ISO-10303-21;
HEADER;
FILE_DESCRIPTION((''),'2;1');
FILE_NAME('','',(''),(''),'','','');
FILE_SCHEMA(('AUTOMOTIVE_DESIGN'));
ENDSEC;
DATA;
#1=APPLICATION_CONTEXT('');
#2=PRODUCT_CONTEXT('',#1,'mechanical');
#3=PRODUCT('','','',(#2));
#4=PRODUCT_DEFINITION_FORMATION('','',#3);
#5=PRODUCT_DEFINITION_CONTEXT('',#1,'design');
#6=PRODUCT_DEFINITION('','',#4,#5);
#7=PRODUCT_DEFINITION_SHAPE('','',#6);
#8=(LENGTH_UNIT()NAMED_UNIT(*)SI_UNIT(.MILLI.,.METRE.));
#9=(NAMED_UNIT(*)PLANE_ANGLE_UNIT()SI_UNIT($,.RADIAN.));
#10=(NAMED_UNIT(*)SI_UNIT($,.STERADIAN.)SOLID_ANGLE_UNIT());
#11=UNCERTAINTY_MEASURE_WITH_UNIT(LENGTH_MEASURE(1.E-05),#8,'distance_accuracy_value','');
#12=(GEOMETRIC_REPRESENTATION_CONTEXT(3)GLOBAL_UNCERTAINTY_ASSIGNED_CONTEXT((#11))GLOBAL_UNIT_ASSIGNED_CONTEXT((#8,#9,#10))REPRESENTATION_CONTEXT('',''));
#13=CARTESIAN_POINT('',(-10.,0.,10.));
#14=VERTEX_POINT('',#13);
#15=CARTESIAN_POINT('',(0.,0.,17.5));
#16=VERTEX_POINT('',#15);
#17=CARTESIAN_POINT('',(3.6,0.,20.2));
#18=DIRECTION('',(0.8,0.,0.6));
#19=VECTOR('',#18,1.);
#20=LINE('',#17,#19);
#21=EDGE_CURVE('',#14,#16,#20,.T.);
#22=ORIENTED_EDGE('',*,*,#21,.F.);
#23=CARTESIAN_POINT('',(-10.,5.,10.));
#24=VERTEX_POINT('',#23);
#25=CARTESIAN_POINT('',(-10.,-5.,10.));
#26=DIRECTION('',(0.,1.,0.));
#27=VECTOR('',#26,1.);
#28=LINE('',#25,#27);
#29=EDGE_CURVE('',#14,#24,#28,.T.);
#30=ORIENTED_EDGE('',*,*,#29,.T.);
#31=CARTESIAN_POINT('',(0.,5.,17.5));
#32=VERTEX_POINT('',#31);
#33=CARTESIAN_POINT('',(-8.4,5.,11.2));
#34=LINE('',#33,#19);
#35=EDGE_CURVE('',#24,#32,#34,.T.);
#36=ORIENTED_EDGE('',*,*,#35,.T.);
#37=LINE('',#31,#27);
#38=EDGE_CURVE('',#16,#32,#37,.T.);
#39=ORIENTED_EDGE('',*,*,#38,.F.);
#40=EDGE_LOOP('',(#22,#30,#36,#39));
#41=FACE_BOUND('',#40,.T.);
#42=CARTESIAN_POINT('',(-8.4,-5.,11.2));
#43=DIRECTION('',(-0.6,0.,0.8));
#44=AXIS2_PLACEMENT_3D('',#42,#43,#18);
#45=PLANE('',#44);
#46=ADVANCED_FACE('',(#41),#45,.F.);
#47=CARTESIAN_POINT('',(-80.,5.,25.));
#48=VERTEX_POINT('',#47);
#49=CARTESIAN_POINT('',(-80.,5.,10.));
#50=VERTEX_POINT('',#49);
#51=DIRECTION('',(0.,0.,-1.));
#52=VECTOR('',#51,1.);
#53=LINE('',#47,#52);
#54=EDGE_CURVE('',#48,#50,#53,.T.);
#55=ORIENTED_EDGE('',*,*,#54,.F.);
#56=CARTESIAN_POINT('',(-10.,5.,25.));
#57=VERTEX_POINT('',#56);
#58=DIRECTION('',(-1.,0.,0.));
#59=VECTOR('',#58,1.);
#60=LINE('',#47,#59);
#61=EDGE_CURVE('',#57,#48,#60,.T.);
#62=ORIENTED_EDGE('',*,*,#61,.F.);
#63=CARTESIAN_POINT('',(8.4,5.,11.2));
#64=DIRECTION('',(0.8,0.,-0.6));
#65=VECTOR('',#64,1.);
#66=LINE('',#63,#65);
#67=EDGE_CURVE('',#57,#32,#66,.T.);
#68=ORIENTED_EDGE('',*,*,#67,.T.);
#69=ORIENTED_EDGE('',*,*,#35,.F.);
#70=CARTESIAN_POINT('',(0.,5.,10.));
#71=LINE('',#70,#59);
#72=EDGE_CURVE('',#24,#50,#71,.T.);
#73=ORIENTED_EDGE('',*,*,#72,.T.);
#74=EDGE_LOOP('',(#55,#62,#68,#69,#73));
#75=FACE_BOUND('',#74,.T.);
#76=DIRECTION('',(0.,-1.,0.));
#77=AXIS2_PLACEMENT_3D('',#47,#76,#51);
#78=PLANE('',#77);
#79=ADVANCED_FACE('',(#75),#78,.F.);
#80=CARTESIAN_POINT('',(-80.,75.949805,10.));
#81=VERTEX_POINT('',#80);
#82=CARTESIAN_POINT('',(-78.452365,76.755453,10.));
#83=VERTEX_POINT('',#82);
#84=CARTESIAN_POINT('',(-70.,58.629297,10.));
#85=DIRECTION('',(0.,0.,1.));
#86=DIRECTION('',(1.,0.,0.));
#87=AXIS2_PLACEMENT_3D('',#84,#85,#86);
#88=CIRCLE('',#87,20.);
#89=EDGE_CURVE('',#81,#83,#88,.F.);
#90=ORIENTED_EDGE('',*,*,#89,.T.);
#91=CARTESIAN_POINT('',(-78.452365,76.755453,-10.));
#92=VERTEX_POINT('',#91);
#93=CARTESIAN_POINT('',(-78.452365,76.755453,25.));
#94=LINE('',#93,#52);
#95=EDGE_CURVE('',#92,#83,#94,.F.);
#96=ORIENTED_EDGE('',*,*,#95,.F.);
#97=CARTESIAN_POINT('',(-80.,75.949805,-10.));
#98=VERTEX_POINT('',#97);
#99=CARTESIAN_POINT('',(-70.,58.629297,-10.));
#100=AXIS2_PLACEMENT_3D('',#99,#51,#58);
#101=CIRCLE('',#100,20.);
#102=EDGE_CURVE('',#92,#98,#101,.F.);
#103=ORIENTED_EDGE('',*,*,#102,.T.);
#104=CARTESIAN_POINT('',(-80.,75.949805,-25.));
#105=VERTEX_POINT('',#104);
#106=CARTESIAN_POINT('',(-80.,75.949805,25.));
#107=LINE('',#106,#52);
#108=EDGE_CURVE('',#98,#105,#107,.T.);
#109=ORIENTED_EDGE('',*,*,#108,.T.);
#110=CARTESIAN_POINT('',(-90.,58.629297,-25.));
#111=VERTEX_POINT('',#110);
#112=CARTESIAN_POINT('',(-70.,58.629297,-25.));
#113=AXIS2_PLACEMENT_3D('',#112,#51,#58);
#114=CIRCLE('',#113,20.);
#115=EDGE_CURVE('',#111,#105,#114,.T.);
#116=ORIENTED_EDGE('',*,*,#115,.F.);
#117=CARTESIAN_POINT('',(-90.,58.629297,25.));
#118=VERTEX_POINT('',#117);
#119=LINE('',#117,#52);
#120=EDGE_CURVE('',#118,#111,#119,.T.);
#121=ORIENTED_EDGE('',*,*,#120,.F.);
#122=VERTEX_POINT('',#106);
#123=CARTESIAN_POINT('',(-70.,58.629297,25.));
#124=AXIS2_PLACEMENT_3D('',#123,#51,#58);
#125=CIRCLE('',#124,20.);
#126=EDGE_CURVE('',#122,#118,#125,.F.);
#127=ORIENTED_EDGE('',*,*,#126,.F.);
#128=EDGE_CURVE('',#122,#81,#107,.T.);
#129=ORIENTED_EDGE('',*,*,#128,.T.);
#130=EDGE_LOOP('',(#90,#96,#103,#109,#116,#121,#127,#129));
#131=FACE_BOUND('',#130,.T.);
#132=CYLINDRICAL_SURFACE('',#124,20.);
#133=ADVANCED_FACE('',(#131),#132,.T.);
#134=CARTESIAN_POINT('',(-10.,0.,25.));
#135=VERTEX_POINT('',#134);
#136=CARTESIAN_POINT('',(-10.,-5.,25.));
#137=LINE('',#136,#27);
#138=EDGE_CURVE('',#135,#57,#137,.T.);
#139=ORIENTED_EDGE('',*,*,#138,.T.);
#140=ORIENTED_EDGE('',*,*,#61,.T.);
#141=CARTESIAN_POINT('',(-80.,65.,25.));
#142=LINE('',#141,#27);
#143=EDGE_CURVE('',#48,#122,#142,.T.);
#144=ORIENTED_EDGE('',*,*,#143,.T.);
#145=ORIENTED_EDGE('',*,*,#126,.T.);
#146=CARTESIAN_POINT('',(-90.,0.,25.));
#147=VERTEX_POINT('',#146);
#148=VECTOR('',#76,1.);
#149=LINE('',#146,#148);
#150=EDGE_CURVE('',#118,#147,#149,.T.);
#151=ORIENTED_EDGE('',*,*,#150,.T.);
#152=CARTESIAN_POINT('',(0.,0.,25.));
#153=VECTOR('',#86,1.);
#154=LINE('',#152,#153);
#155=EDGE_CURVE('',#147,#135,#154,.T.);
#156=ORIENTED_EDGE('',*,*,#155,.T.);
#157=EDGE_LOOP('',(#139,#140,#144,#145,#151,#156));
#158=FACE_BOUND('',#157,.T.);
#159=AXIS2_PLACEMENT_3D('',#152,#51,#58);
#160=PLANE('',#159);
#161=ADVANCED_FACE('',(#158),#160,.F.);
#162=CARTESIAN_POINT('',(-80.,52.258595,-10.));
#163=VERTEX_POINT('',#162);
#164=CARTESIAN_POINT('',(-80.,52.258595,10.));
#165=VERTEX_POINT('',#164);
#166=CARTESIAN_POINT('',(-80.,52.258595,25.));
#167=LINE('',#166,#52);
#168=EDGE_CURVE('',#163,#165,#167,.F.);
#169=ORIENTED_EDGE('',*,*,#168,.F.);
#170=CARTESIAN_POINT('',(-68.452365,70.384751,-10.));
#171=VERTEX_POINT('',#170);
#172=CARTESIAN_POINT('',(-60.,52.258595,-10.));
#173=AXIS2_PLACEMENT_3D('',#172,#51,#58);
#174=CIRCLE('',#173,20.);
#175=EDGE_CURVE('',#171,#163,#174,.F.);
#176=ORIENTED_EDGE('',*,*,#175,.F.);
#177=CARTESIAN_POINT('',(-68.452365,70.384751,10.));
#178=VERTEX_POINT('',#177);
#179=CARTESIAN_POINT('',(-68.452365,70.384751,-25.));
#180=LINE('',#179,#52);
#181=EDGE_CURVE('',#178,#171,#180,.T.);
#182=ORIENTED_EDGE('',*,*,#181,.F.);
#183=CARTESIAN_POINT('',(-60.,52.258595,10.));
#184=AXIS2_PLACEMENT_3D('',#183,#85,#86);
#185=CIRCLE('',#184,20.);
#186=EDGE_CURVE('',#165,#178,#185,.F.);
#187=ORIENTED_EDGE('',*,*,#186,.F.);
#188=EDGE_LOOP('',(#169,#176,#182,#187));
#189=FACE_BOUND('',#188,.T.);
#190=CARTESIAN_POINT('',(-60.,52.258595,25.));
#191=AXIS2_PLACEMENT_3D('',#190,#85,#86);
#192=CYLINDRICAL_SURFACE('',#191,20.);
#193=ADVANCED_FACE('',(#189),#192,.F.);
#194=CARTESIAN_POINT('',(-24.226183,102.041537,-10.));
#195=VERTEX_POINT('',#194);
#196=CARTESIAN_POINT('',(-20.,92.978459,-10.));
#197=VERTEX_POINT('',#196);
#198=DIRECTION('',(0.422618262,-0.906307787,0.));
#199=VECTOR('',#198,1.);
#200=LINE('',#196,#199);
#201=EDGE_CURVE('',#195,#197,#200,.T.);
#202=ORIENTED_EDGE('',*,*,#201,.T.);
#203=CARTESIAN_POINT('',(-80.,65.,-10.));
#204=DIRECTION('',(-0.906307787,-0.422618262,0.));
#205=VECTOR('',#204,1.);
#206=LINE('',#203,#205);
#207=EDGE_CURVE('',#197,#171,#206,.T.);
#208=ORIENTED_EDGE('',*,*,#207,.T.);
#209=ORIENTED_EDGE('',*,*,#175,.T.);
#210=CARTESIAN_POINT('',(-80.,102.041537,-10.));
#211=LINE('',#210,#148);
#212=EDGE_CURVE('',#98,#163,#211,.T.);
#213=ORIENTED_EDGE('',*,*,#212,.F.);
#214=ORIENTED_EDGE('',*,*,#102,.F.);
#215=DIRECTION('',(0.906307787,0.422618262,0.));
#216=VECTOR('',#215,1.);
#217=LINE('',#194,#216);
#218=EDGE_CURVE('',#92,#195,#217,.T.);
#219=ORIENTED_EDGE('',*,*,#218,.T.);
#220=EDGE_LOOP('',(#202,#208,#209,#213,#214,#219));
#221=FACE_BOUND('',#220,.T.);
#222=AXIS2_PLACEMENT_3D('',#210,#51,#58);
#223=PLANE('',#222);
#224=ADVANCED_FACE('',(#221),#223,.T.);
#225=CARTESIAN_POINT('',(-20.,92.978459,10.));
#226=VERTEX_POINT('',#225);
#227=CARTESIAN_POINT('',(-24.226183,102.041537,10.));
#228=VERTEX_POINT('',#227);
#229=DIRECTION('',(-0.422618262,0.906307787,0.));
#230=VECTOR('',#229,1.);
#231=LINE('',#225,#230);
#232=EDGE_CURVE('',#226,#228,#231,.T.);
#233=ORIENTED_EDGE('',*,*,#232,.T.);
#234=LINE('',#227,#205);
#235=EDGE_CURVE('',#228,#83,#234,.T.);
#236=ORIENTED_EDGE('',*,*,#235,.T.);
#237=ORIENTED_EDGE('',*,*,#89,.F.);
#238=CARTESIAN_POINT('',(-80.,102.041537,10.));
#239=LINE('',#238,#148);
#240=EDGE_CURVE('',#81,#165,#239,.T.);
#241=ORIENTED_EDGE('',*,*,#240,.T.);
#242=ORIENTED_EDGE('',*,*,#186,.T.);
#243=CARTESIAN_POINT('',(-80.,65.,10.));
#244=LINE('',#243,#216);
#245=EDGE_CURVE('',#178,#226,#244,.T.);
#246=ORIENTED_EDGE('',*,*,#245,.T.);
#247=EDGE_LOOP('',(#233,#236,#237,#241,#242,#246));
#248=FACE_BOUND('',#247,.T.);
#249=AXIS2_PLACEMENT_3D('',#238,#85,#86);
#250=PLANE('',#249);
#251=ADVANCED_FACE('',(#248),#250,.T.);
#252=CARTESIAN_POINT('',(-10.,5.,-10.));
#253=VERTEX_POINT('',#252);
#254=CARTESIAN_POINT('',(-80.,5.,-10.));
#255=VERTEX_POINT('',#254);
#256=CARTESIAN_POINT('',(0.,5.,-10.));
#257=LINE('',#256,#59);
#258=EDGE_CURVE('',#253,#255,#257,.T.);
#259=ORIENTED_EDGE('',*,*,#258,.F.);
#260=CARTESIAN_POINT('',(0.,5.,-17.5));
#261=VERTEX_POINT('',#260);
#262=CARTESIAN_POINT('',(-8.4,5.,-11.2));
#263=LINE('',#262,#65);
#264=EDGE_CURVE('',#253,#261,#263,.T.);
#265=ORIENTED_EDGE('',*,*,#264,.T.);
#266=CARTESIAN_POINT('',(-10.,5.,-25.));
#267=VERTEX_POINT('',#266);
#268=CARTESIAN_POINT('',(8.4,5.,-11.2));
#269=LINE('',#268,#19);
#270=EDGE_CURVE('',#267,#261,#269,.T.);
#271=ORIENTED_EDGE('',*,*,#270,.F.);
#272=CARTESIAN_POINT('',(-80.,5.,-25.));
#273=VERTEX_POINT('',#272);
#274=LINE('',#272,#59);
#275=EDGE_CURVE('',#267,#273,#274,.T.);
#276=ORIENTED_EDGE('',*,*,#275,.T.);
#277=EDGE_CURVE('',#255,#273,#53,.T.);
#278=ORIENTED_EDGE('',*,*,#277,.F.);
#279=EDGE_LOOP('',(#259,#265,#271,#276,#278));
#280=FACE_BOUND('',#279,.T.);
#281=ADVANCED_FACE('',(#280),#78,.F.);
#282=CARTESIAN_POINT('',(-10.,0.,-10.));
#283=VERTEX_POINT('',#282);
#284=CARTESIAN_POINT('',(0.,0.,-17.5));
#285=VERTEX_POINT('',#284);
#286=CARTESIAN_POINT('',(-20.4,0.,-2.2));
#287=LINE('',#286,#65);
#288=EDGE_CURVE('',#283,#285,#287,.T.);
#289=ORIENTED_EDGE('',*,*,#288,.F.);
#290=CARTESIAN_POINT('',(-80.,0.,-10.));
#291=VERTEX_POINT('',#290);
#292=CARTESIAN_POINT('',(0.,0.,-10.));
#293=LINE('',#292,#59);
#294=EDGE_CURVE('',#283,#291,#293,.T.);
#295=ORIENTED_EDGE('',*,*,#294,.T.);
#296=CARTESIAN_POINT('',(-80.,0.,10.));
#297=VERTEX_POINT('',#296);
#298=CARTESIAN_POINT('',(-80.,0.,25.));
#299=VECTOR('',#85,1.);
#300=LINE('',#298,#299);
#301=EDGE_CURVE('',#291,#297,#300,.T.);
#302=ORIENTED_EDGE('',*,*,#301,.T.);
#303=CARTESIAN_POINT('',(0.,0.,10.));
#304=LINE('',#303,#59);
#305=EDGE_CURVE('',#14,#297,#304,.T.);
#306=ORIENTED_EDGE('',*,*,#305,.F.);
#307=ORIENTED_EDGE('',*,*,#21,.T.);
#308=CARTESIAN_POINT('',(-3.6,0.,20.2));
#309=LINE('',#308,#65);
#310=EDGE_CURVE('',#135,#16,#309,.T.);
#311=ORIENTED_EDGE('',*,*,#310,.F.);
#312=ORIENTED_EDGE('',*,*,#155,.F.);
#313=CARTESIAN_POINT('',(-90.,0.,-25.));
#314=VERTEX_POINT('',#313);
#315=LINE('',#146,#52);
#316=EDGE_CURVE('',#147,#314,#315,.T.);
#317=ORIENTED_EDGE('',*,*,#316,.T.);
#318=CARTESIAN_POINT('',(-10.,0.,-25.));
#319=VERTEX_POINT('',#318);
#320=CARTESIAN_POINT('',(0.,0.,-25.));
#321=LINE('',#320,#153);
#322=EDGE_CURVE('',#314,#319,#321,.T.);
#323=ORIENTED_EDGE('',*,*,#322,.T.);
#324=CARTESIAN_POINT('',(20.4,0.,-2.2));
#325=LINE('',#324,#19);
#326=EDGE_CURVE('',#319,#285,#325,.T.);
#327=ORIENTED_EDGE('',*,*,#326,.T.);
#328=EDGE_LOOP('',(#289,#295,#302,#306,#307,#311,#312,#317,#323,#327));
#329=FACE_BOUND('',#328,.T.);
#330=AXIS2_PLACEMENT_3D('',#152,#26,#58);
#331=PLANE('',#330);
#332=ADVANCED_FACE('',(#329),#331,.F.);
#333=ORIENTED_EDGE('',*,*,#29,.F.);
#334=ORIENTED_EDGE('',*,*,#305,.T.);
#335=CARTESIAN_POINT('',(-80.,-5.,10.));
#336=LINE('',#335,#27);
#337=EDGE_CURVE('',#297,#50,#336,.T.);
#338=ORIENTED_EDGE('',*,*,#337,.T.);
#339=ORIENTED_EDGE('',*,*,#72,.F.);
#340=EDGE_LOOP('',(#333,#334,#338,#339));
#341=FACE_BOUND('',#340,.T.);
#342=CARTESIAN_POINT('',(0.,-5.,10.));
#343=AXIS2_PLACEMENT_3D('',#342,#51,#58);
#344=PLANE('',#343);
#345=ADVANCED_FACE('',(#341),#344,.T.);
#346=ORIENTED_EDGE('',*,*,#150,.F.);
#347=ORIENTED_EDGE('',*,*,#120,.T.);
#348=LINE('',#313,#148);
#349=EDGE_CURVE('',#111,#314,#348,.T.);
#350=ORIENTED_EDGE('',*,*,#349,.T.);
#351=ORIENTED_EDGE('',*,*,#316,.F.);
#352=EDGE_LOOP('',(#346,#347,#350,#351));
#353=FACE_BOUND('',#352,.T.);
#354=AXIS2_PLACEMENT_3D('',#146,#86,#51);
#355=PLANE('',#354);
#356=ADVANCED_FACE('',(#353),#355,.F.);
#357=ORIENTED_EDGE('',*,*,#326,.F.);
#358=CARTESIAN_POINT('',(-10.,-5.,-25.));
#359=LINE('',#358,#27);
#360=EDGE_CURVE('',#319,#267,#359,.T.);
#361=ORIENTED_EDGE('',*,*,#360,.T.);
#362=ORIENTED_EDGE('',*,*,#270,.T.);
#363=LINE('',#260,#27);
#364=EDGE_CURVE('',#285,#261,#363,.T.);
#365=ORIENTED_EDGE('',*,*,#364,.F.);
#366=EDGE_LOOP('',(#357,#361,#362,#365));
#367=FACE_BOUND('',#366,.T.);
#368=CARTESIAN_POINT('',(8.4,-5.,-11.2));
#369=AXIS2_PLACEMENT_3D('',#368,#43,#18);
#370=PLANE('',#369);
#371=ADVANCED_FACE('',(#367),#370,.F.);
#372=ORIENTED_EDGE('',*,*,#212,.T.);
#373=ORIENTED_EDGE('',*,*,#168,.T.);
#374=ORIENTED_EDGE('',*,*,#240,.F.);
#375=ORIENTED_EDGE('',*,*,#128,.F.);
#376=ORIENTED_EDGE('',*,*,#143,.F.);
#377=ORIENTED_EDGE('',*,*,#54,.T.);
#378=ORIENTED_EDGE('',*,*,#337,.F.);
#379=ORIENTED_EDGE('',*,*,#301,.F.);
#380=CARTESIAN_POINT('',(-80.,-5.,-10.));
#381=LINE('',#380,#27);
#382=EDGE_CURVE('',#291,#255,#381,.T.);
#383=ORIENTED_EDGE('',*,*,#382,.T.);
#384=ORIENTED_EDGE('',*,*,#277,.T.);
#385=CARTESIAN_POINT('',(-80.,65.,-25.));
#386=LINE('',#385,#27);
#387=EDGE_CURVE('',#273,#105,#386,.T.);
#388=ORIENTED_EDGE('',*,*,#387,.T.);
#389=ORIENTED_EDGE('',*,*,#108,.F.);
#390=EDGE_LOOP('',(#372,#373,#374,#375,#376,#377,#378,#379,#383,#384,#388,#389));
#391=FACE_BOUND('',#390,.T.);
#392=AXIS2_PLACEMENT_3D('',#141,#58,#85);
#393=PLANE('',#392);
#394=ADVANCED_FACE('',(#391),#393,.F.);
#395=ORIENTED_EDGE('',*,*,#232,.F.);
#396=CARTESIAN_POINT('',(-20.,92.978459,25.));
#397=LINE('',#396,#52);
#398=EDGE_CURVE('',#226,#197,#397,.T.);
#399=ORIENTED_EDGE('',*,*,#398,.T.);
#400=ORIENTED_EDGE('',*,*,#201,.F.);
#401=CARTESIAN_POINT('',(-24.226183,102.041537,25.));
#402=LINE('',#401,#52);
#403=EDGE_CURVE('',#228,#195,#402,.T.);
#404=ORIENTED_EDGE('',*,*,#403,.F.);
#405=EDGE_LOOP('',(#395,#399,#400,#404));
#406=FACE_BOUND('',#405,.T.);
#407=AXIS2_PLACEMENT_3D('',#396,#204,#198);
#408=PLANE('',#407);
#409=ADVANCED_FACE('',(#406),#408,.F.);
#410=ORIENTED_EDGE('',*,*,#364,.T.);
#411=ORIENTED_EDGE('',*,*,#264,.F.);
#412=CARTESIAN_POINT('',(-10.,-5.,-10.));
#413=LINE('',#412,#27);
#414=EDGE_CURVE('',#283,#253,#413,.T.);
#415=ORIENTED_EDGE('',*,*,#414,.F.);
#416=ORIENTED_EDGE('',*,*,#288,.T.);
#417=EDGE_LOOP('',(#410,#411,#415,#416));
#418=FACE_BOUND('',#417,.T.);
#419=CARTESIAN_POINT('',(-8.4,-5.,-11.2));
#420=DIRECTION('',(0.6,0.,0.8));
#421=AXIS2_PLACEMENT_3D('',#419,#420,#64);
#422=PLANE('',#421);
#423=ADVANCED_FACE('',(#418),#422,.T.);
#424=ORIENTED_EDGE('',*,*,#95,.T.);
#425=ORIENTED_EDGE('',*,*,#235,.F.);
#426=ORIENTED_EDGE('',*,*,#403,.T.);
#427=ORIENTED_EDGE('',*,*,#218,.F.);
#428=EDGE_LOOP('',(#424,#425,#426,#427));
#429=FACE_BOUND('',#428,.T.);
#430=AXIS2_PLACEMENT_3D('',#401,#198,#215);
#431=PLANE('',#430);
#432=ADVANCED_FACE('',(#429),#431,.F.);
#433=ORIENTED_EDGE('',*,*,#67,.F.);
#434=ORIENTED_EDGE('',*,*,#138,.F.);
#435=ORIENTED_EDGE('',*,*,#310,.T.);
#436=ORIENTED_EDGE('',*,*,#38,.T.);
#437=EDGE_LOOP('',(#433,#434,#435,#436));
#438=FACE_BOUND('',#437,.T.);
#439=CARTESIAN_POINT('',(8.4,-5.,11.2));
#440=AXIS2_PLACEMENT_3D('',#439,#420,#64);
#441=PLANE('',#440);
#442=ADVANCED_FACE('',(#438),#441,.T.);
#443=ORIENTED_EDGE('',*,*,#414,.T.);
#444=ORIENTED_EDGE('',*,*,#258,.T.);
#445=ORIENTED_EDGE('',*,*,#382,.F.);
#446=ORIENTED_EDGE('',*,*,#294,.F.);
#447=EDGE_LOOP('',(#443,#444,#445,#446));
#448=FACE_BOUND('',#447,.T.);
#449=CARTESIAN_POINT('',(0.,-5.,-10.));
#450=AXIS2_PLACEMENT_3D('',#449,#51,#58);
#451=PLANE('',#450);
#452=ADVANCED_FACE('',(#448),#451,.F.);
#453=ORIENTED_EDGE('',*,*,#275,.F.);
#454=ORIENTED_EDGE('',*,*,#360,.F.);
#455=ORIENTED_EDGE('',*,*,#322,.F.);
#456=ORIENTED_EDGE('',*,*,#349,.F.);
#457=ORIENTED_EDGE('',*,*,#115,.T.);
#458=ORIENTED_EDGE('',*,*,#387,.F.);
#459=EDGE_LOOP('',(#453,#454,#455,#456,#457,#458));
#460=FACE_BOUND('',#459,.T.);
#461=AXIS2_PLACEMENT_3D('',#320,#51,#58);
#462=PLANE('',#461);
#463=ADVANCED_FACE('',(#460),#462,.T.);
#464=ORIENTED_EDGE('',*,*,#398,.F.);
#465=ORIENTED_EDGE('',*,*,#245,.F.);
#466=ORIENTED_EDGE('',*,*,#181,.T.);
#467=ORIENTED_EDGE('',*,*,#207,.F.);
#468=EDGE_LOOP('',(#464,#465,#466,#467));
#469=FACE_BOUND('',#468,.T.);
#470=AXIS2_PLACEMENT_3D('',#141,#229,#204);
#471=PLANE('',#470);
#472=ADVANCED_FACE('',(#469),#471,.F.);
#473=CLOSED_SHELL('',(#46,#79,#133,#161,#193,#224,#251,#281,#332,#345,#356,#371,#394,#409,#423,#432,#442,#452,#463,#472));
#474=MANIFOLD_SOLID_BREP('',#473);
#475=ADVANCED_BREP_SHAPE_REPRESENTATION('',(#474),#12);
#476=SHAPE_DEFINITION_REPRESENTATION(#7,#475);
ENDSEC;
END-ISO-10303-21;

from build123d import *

# Parameters (mm, degrees)
SALIENTE_EXTRUIR1_DEPTH = 25
REDONDEO1_R             = 20
CORTAR_EXTRUIR1_DEPTH   = 10
CROQUIS3_W              = 70
CROQUIS3_H              = 15
CORTAR_EXTRUIR2_DEPTH   = 135.692464426


with BuildPart() as part:
    # Croquis1 → Saliente-Extruir1 (new, symmetric)
    with BuildSketch(Plane.XY):
        Polygon((0, 5), (0, 0), (-90, 0), (-90, 71.370702608), (-24.226182617, 102.04153736), (-20, 92.978459489), (-80, 65), (-80, 5), align=None)
    extrude(amount=SALIENTE_EXTRUIR1_DEPTH, both=True)

    # Redondeo1
    redondeo1_edges = [part.edges().sort_by_distance(p)[0] for p in [
        (-90, 71.370702608, 0),
        (-80, 65, 0),
    ]]
    fillet(redondeo1_edges, radius=REDONDEO1_R)

    # Croquis2 → Cortar-Extruir1 (cut)
    with BuildSketch(Plane(origin=(0, 5, 0), x_dir=(1, 0, 0), z_dir=(0, 1, 0))):
        Polygon((-80, 10), (-80, -10), (-10, -10), (0, -17.5), (0, 17.5), (-10, 10), align=None)
        Polygon((-10, 25), (0, 17.5), (0, 25), align=None)
        Polygon((0, -17.5), (-10, -25), (0, -25), align=None)
    extrude(amount=-CORTAR_EXTRUIR1_DEPTH, mode=Mode.SUBTRACT)

    # Croquis3 → Cortar-Extruir2 (cut, through all)
    with BuildSketch(Plane(origin=(0, 5, 0), x_dir=(1, 0, 0), z_dir=(0, 1, 0))):
        with Locations((-45, -17.5)):
            Rectangle(CROQUIS3_W, CROQUIS3_H)
        with Locations((-45, 17.5)):
            Rectangle(CROQUIS3_W, CROQUIS3_H)
    extrude(amount=CORTAR_EXTRUIR2_DEPTH, mode=Mode.SUBTRACT)


solid = part.part
